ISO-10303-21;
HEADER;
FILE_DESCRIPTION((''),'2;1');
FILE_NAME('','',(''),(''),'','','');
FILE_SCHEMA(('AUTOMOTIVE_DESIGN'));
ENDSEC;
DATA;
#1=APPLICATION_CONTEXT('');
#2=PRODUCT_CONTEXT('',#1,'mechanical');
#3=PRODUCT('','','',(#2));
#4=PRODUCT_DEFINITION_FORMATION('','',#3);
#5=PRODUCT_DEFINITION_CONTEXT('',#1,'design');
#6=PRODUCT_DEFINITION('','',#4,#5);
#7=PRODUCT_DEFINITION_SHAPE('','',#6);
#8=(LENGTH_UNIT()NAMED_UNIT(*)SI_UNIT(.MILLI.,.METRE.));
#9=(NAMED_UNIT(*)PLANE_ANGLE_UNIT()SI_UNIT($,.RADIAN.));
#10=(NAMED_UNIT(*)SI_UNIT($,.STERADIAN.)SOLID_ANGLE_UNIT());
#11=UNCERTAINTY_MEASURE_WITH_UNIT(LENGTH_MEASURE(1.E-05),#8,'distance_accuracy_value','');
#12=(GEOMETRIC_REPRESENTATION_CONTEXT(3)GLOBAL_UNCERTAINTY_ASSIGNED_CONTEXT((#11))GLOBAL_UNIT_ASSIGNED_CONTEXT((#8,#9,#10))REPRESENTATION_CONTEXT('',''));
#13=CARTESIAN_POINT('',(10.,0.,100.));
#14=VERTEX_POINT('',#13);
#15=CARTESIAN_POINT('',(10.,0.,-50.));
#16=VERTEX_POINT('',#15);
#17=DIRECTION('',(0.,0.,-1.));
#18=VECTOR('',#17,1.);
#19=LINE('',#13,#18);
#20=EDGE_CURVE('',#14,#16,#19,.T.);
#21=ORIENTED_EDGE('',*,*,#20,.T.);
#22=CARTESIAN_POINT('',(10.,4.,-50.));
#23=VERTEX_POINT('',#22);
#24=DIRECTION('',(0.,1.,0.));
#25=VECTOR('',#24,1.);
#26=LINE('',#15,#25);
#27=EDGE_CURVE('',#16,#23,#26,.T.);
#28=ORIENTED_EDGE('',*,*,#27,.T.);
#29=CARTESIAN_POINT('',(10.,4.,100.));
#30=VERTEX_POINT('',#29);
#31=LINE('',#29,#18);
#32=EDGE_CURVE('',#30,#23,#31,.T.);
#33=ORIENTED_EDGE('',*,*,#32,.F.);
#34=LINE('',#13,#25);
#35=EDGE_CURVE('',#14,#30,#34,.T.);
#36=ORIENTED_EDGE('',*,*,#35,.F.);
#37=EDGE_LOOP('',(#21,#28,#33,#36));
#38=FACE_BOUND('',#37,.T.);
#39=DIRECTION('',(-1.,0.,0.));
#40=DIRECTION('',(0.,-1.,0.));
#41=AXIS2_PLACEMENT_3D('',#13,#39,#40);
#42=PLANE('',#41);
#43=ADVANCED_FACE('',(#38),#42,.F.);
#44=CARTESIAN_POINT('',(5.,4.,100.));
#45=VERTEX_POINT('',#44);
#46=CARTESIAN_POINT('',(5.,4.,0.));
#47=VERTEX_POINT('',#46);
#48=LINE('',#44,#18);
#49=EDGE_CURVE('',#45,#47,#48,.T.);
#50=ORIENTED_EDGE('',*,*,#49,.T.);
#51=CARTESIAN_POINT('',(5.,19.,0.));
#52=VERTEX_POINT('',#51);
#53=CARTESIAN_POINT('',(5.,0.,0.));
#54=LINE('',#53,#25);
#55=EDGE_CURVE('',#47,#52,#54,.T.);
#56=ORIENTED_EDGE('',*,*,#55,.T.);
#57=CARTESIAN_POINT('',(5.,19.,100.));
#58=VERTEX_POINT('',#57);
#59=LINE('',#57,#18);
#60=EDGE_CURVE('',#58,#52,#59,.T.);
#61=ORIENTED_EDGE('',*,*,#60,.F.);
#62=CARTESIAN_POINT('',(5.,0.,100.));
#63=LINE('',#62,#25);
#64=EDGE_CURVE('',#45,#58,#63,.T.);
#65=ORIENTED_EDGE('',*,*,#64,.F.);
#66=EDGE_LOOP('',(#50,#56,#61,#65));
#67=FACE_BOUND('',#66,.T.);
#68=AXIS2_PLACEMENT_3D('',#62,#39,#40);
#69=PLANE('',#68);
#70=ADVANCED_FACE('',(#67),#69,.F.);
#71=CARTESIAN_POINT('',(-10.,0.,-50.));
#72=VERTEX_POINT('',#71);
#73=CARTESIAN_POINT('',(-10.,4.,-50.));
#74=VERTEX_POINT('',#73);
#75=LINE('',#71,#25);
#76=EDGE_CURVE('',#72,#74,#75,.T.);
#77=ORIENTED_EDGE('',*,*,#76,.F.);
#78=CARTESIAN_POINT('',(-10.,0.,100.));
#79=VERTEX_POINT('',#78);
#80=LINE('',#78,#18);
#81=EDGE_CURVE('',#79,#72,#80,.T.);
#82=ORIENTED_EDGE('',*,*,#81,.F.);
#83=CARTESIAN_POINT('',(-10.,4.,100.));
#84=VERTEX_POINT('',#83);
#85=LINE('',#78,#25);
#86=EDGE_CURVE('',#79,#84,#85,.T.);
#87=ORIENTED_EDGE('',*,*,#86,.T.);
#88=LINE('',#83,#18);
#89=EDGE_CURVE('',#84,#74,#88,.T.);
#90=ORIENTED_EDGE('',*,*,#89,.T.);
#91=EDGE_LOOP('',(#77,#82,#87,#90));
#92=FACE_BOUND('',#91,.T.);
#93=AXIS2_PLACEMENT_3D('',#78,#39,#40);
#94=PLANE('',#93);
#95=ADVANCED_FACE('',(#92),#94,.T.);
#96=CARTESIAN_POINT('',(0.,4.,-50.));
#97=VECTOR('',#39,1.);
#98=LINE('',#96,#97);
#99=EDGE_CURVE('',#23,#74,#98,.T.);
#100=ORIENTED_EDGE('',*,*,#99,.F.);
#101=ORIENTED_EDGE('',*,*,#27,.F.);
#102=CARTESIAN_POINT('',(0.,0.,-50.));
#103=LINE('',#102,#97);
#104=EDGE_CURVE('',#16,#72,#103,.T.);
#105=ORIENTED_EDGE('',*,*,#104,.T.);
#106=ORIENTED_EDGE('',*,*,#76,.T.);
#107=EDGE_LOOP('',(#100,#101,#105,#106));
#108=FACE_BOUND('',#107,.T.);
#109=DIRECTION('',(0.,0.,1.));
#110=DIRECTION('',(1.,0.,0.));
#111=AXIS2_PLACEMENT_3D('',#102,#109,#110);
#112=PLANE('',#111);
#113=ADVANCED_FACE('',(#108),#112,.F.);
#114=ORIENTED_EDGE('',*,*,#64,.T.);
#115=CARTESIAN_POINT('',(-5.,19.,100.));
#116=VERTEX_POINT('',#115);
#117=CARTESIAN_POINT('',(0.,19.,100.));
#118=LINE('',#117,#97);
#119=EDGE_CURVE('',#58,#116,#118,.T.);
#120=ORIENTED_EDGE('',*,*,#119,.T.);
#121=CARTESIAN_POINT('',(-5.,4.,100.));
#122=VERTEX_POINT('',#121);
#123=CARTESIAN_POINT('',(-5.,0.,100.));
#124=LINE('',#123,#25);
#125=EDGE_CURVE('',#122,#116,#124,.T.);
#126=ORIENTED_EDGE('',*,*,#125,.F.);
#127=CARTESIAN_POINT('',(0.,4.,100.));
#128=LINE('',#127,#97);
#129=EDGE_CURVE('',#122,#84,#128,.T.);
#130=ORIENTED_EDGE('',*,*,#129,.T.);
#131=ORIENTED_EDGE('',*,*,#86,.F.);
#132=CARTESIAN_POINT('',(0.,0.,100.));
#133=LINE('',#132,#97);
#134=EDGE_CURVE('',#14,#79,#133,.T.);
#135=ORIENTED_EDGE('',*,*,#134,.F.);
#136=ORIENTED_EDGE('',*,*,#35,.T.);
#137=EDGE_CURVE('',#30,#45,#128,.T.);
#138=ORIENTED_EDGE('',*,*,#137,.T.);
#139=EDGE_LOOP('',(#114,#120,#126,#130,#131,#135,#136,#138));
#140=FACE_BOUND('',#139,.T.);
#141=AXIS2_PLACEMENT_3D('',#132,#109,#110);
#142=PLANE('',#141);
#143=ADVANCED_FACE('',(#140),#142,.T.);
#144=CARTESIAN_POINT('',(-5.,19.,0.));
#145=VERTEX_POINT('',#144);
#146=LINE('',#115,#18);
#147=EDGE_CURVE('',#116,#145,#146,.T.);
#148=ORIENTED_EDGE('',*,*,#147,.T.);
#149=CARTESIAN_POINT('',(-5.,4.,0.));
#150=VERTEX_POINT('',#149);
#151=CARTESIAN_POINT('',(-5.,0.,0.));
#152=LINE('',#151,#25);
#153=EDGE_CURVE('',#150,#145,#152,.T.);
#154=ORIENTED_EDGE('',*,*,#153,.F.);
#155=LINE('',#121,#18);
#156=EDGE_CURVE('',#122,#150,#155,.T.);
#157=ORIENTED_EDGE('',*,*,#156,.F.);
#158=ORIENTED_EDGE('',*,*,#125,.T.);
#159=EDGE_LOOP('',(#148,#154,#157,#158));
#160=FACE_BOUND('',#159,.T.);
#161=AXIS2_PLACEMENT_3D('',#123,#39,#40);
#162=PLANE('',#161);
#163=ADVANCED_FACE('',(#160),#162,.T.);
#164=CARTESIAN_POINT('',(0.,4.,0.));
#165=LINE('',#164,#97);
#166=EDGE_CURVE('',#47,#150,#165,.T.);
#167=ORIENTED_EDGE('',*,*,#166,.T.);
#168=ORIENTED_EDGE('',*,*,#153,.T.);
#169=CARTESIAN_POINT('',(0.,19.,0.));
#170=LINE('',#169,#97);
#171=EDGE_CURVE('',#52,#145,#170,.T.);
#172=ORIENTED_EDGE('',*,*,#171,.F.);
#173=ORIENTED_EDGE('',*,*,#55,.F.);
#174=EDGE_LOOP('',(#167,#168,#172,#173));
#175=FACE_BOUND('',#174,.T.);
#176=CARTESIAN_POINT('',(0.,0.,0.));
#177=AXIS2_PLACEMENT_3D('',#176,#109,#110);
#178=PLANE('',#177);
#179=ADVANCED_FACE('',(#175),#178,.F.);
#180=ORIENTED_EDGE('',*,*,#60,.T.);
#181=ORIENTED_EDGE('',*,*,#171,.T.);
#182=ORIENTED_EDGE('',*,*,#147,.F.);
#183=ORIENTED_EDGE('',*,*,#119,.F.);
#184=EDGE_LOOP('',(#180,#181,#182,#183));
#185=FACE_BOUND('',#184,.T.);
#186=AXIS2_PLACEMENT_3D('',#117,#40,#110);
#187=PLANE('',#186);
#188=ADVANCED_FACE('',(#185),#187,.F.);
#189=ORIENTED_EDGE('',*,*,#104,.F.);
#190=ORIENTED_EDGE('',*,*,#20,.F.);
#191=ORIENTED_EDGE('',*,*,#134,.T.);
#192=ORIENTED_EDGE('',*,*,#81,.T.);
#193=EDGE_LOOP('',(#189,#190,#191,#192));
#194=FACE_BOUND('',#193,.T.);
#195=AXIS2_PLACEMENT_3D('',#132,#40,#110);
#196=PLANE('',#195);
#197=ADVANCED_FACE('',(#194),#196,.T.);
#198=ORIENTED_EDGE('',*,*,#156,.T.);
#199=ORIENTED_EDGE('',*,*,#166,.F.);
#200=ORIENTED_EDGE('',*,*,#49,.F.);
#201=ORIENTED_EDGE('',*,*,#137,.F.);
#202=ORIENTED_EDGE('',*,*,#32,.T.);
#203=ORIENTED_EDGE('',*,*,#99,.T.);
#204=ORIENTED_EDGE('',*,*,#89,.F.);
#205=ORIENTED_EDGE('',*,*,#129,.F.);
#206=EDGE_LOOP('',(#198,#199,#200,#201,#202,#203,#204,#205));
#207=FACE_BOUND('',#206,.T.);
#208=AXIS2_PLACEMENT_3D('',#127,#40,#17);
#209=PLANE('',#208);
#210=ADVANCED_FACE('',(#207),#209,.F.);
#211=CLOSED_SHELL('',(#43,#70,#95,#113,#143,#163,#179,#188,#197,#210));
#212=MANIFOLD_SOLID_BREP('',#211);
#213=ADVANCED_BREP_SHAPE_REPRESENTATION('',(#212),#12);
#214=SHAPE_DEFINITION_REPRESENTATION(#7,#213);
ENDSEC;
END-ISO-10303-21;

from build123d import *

# Parameters (mm, degrees)
BOSS_EXTRUDE1_DEPTH = 100
BOSS_EXTRUDE2_DEPTH = 50


with BuildPart() as part:
    # Sketch1 → Boss-Extrude1 (new body)
    with BuildSketch(Plane.XY):
        Polygon((-10, 0), (10, 0), (10, 4), (5, 4), (5, 19), (-5, 19), (-5, 4), (-10, 4), align=None)
    extrude(amount=BOSS_EXTRUDE1_DEPTH)

    # Sketch1<3> → Boss-Extrude2 (add)
    with BuildSketch(Plane.XY):
        Polygon((-10, 0), (10, 0), (10, 4), (5, 4), (-5, 4), (-10, 4), align=None)
    extrude(amount=-BOSS_EXTRUDE2_DEPTH)


solid = part.part
